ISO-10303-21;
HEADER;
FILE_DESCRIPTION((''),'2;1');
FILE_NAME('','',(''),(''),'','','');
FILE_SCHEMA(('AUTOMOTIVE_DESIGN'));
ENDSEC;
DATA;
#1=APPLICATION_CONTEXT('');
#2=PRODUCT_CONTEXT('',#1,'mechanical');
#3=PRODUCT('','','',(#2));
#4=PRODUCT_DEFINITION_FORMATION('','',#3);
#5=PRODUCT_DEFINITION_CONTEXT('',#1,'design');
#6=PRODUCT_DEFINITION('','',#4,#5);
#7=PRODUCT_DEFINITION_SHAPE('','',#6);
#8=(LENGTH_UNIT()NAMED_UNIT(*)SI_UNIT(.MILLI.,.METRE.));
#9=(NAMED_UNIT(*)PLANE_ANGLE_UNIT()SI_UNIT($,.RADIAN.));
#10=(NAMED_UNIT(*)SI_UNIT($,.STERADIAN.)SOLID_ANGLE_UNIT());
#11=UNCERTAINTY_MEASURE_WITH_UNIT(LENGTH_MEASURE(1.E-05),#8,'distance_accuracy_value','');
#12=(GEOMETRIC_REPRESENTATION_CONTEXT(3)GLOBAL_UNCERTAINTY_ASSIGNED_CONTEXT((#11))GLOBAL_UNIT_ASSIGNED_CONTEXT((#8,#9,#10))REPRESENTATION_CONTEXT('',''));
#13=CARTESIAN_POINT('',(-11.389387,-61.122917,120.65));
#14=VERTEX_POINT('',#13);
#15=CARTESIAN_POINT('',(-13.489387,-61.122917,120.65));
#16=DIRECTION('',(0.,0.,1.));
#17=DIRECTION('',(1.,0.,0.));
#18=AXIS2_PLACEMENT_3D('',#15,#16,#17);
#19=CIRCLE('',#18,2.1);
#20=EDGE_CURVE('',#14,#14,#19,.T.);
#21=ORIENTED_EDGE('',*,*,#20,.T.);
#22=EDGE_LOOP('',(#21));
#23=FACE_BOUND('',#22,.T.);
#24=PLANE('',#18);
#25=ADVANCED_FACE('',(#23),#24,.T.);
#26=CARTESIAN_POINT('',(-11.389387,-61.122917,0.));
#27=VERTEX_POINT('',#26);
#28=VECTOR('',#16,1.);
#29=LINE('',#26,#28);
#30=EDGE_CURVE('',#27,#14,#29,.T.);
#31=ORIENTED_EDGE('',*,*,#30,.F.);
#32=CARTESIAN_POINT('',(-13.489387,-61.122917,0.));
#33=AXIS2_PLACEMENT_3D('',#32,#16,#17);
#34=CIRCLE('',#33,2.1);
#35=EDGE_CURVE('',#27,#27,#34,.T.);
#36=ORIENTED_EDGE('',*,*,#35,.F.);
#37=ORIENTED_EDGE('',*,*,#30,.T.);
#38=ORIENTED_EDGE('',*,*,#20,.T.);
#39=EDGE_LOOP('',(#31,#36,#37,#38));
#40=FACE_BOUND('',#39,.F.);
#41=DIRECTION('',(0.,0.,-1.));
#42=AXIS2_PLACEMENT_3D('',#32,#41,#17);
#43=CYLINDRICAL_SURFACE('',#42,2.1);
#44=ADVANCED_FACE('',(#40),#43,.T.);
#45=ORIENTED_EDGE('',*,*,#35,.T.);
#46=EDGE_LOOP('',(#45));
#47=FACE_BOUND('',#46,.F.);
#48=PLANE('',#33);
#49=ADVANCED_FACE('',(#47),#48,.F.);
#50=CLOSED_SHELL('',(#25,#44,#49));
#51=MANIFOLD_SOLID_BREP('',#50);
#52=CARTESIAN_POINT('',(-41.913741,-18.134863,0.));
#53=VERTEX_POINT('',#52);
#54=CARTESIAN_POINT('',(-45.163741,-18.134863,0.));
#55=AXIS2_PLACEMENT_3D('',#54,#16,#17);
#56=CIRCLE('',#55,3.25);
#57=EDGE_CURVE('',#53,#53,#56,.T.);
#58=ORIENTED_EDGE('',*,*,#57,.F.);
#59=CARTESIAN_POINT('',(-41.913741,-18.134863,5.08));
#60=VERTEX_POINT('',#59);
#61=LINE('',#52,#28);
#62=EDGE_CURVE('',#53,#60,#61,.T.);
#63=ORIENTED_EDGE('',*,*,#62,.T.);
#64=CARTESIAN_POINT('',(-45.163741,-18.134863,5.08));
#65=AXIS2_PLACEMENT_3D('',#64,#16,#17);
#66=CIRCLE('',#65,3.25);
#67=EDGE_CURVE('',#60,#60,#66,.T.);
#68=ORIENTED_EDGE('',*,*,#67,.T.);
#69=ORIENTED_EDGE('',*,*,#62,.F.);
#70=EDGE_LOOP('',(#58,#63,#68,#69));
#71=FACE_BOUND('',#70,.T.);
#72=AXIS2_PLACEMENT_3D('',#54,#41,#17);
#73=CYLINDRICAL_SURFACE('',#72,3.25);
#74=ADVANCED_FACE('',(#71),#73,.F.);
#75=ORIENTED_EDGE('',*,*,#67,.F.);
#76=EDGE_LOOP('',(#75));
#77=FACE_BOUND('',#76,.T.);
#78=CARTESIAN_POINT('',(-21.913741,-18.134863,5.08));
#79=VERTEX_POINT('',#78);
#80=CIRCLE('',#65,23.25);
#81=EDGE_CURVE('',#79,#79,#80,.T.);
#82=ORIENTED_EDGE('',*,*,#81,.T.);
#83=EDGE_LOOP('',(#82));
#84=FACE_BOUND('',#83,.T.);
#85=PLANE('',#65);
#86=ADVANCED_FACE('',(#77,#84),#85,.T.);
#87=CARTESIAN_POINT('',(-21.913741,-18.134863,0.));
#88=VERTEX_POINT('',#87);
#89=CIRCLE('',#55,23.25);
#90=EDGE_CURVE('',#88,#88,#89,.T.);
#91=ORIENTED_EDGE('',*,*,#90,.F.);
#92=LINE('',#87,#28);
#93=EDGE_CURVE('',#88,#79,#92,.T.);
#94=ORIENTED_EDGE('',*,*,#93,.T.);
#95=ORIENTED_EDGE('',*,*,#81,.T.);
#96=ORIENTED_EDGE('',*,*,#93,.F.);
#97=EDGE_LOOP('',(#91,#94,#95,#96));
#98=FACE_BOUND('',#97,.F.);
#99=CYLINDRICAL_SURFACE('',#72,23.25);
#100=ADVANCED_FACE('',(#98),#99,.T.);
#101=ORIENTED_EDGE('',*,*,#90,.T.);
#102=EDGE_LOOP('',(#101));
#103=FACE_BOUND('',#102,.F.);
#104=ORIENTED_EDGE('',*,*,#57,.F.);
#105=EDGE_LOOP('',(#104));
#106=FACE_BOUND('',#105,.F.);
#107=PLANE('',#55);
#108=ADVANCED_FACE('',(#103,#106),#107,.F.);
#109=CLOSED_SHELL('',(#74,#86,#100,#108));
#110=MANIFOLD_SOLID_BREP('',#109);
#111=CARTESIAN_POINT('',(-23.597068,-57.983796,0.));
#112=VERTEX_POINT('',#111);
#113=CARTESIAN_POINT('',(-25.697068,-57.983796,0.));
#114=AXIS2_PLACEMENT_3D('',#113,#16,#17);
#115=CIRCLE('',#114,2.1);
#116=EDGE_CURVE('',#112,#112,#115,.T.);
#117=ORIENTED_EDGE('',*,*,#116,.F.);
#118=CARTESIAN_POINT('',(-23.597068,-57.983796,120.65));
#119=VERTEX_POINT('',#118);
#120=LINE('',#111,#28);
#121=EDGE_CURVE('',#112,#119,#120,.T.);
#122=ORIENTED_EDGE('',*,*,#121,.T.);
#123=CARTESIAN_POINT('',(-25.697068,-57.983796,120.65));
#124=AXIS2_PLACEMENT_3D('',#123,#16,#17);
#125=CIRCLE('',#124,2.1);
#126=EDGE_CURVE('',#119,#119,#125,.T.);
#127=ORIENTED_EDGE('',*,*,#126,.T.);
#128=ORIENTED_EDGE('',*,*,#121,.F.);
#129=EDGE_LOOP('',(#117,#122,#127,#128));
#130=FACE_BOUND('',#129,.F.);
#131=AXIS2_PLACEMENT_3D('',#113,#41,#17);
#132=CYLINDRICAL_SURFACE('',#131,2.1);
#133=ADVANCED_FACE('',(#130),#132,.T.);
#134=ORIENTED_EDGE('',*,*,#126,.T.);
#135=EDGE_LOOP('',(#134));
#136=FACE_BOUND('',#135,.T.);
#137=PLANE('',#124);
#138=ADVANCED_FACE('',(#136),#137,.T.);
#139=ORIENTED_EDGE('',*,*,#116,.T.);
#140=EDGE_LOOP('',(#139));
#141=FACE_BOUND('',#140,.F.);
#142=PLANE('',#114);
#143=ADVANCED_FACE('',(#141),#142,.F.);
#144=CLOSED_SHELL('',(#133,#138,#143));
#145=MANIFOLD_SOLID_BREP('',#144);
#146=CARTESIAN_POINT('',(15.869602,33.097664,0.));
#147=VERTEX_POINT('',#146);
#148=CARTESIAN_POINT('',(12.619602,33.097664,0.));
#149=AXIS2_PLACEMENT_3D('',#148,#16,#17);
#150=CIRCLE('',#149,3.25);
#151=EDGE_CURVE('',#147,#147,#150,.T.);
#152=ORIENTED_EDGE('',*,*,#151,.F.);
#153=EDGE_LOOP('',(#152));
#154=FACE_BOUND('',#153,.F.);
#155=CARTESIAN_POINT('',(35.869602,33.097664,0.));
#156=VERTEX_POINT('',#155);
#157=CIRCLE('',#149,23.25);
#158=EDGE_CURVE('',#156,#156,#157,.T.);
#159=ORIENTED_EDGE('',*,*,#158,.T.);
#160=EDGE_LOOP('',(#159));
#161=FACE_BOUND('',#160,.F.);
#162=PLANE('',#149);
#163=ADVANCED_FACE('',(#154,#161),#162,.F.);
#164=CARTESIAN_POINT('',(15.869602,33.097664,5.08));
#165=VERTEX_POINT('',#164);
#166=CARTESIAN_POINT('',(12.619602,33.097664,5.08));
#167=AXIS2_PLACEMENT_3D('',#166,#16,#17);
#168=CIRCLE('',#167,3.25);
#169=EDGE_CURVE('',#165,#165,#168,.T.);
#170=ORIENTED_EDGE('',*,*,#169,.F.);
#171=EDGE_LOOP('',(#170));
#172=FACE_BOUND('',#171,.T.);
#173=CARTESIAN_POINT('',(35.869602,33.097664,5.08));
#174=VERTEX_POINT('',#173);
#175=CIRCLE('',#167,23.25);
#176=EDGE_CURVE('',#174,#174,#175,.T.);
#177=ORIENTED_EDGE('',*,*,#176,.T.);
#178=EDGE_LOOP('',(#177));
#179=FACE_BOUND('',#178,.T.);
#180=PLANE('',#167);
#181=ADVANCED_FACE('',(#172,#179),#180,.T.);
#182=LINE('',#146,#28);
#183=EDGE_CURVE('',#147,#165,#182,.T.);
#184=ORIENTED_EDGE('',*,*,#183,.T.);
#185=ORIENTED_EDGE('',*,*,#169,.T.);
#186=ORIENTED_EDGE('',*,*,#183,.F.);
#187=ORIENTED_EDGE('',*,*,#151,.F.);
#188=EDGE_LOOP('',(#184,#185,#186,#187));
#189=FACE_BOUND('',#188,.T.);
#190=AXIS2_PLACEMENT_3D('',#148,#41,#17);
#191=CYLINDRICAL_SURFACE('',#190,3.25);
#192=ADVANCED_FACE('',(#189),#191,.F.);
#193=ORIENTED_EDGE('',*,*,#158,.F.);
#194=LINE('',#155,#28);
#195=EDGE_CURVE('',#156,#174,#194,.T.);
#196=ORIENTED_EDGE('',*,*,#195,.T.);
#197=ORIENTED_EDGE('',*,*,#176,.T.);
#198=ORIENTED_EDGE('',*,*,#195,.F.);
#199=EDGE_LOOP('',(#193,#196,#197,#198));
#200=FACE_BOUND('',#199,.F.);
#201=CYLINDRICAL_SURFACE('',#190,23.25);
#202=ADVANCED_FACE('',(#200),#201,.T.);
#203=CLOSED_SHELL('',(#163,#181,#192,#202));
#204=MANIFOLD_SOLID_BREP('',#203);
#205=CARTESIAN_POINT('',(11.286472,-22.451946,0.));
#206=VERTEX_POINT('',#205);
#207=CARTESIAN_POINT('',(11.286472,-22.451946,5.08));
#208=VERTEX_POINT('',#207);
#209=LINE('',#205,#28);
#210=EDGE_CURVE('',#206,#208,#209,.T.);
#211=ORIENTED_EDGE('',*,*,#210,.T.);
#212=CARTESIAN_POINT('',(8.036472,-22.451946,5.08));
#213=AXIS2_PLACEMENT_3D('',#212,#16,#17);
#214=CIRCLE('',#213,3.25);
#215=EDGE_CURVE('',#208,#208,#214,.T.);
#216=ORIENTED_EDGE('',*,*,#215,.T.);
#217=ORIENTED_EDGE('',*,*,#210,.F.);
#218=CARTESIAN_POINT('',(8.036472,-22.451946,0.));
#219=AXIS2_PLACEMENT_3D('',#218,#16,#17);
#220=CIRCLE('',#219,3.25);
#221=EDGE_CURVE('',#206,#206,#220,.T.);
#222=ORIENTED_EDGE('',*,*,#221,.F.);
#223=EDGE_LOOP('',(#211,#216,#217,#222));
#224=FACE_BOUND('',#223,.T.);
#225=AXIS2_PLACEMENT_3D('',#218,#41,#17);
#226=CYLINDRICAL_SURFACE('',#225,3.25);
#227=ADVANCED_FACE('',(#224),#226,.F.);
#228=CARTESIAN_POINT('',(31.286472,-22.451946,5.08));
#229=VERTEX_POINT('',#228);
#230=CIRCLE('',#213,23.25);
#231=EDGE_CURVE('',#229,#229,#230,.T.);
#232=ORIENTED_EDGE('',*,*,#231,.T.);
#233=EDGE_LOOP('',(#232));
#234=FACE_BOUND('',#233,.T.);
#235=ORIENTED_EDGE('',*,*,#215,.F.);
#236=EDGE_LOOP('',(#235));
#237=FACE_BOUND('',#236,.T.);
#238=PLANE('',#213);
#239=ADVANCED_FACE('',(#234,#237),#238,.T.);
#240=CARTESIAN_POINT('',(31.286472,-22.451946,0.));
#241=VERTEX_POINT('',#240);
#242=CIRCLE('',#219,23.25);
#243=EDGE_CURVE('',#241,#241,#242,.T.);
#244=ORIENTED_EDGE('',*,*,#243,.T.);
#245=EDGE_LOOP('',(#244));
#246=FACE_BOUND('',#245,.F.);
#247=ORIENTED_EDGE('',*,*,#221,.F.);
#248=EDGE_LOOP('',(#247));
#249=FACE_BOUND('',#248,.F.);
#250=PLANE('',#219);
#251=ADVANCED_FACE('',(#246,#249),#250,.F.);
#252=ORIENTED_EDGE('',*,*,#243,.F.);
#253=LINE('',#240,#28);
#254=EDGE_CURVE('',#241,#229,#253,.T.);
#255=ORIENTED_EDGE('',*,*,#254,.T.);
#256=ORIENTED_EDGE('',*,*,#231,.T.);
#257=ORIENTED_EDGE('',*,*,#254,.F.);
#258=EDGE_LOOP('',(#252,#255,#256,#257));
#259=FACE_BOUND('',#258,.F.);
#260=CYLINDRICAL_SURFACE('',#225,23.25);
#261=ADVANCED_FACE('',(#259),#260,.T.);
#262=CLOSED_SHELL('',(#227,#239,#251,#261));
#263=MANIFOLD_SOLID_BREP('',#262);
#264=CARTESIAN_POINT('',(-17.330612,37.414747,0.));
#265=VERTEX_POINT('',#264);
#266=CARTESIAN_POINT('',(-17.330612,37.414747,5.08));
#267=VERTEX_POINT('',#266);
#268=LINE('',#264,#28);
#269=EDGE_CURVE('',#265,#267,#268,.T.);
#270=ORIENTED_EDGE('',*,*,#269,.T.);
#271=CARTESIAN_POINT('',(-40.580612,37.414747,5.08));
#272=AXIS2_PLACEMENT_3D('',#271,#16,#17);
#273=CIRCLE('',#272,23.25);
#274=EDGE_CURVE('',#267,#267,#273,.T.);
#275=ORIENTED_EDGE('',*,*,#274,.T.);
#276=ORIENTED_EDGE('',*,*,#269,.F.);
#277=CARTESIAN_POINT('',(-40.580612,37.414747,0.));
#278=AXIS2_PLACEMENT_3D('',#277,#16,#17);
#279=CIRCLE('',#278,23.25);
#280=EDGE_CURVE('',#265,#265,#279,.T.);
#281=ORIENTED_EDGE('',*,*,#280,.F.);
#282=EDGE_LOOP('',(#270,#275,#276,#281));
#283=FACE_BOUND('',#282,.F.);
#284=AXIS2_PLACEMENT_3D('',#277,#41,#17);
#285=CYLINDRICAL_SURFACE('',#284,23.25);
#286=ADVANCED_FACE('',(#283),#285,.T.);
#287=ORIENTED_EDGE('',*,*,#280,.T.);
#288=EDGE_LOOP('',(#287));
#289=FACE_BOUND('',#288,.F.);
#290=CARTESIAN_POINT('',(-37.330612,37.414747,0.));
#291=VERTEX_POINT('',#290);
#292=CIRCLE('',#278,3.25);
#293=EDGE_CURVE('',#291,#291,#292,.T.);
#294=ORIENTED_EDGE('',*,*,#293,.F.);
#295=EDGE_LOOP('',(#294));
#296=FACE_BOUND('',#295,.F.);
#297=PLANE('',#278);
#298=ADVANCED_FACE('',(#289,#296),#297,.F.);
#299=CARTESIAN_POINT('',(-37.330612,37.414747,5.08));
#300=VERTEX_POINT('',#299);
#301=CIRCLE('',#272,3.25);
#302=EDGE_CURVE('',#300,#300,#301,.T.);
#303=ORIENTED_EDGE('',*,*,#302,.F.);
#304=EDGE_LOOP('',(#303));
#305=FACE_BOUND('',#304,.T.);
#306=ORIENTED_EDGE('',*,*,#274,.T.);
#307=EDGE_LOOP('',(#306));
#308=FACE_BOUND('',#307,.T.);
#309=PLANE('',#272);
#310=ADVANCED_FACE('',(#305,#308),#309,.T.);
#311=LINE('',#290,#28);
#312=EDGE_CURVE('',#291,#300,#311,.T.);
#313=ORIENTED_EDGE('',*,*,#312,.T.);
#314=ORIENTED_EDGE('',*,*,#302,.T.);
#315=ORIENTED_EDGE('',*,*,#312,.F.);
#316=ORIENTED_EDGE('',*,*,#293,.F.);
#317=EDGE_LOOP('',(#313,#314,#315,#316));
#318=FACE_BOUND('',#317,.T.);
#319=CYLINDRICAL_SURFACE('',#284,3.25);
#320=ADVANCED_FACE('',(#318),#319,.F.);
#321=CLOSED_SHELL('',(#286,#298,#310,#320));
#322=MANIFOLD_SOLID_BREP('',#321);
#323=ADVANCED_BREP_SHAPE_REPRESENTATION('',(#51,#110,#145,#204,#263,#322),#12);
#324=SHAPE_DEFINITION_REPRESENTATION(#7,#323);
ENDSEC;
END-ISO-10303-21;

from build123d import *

# Parameters (mm, degrees)
F0_R     = 23.25
F0_R_2   = 3.25
F1_DEPTH = 5.08
F2_R     = 2.1
F3_DEPTH = 120.65


with BuildPart() as f1:
    # F0 (on Top) → F1 (new body)
    with BuildSketch(Plane.XY):
        with Locations((-40.580612, 37.414747)):
            Circle(F0_R)
        with Locations((-40.580612, 37.414747)):
            Circle(F0_R_2, mode=Mode.SUBTRACT)
        with Locations((12.619602, 33.097664)):
            Circle(F0_R)
        with Locations((12.619602, 33.097664)):
            Circle(F0_R_2, mode=Mode.SUBTRACT)
        with Locations((-45.163741, -18.134863)):
            Circle(F0_R)
        with Locations((-45.163741, -18.134863)):
            Circle(F0_R_2, mode=Mode.SUBTRACT)
        with Locations((8.036472, -22.451946)):
            Circle(F0_R)
        with Locations((8.036472, -22.451946)):
            Circle(F0_R_2, mode=Mode.SUBTRACT)
    extrude(amount=F1_DEPTH)


with BuildPart() as f3:
    # F2 (on Top) → F3 (new body)
    with BuildSketch(Plane.XY):
        with Locations((-25.697068, -57.983796)):
            Circle(F2_R)
        with Locations((-13.489387, -61.122917)):
            Circle(F2_R)
    extrude(amount=F3_DEPTH)


solid = Compound([f1.part, f3.part])
